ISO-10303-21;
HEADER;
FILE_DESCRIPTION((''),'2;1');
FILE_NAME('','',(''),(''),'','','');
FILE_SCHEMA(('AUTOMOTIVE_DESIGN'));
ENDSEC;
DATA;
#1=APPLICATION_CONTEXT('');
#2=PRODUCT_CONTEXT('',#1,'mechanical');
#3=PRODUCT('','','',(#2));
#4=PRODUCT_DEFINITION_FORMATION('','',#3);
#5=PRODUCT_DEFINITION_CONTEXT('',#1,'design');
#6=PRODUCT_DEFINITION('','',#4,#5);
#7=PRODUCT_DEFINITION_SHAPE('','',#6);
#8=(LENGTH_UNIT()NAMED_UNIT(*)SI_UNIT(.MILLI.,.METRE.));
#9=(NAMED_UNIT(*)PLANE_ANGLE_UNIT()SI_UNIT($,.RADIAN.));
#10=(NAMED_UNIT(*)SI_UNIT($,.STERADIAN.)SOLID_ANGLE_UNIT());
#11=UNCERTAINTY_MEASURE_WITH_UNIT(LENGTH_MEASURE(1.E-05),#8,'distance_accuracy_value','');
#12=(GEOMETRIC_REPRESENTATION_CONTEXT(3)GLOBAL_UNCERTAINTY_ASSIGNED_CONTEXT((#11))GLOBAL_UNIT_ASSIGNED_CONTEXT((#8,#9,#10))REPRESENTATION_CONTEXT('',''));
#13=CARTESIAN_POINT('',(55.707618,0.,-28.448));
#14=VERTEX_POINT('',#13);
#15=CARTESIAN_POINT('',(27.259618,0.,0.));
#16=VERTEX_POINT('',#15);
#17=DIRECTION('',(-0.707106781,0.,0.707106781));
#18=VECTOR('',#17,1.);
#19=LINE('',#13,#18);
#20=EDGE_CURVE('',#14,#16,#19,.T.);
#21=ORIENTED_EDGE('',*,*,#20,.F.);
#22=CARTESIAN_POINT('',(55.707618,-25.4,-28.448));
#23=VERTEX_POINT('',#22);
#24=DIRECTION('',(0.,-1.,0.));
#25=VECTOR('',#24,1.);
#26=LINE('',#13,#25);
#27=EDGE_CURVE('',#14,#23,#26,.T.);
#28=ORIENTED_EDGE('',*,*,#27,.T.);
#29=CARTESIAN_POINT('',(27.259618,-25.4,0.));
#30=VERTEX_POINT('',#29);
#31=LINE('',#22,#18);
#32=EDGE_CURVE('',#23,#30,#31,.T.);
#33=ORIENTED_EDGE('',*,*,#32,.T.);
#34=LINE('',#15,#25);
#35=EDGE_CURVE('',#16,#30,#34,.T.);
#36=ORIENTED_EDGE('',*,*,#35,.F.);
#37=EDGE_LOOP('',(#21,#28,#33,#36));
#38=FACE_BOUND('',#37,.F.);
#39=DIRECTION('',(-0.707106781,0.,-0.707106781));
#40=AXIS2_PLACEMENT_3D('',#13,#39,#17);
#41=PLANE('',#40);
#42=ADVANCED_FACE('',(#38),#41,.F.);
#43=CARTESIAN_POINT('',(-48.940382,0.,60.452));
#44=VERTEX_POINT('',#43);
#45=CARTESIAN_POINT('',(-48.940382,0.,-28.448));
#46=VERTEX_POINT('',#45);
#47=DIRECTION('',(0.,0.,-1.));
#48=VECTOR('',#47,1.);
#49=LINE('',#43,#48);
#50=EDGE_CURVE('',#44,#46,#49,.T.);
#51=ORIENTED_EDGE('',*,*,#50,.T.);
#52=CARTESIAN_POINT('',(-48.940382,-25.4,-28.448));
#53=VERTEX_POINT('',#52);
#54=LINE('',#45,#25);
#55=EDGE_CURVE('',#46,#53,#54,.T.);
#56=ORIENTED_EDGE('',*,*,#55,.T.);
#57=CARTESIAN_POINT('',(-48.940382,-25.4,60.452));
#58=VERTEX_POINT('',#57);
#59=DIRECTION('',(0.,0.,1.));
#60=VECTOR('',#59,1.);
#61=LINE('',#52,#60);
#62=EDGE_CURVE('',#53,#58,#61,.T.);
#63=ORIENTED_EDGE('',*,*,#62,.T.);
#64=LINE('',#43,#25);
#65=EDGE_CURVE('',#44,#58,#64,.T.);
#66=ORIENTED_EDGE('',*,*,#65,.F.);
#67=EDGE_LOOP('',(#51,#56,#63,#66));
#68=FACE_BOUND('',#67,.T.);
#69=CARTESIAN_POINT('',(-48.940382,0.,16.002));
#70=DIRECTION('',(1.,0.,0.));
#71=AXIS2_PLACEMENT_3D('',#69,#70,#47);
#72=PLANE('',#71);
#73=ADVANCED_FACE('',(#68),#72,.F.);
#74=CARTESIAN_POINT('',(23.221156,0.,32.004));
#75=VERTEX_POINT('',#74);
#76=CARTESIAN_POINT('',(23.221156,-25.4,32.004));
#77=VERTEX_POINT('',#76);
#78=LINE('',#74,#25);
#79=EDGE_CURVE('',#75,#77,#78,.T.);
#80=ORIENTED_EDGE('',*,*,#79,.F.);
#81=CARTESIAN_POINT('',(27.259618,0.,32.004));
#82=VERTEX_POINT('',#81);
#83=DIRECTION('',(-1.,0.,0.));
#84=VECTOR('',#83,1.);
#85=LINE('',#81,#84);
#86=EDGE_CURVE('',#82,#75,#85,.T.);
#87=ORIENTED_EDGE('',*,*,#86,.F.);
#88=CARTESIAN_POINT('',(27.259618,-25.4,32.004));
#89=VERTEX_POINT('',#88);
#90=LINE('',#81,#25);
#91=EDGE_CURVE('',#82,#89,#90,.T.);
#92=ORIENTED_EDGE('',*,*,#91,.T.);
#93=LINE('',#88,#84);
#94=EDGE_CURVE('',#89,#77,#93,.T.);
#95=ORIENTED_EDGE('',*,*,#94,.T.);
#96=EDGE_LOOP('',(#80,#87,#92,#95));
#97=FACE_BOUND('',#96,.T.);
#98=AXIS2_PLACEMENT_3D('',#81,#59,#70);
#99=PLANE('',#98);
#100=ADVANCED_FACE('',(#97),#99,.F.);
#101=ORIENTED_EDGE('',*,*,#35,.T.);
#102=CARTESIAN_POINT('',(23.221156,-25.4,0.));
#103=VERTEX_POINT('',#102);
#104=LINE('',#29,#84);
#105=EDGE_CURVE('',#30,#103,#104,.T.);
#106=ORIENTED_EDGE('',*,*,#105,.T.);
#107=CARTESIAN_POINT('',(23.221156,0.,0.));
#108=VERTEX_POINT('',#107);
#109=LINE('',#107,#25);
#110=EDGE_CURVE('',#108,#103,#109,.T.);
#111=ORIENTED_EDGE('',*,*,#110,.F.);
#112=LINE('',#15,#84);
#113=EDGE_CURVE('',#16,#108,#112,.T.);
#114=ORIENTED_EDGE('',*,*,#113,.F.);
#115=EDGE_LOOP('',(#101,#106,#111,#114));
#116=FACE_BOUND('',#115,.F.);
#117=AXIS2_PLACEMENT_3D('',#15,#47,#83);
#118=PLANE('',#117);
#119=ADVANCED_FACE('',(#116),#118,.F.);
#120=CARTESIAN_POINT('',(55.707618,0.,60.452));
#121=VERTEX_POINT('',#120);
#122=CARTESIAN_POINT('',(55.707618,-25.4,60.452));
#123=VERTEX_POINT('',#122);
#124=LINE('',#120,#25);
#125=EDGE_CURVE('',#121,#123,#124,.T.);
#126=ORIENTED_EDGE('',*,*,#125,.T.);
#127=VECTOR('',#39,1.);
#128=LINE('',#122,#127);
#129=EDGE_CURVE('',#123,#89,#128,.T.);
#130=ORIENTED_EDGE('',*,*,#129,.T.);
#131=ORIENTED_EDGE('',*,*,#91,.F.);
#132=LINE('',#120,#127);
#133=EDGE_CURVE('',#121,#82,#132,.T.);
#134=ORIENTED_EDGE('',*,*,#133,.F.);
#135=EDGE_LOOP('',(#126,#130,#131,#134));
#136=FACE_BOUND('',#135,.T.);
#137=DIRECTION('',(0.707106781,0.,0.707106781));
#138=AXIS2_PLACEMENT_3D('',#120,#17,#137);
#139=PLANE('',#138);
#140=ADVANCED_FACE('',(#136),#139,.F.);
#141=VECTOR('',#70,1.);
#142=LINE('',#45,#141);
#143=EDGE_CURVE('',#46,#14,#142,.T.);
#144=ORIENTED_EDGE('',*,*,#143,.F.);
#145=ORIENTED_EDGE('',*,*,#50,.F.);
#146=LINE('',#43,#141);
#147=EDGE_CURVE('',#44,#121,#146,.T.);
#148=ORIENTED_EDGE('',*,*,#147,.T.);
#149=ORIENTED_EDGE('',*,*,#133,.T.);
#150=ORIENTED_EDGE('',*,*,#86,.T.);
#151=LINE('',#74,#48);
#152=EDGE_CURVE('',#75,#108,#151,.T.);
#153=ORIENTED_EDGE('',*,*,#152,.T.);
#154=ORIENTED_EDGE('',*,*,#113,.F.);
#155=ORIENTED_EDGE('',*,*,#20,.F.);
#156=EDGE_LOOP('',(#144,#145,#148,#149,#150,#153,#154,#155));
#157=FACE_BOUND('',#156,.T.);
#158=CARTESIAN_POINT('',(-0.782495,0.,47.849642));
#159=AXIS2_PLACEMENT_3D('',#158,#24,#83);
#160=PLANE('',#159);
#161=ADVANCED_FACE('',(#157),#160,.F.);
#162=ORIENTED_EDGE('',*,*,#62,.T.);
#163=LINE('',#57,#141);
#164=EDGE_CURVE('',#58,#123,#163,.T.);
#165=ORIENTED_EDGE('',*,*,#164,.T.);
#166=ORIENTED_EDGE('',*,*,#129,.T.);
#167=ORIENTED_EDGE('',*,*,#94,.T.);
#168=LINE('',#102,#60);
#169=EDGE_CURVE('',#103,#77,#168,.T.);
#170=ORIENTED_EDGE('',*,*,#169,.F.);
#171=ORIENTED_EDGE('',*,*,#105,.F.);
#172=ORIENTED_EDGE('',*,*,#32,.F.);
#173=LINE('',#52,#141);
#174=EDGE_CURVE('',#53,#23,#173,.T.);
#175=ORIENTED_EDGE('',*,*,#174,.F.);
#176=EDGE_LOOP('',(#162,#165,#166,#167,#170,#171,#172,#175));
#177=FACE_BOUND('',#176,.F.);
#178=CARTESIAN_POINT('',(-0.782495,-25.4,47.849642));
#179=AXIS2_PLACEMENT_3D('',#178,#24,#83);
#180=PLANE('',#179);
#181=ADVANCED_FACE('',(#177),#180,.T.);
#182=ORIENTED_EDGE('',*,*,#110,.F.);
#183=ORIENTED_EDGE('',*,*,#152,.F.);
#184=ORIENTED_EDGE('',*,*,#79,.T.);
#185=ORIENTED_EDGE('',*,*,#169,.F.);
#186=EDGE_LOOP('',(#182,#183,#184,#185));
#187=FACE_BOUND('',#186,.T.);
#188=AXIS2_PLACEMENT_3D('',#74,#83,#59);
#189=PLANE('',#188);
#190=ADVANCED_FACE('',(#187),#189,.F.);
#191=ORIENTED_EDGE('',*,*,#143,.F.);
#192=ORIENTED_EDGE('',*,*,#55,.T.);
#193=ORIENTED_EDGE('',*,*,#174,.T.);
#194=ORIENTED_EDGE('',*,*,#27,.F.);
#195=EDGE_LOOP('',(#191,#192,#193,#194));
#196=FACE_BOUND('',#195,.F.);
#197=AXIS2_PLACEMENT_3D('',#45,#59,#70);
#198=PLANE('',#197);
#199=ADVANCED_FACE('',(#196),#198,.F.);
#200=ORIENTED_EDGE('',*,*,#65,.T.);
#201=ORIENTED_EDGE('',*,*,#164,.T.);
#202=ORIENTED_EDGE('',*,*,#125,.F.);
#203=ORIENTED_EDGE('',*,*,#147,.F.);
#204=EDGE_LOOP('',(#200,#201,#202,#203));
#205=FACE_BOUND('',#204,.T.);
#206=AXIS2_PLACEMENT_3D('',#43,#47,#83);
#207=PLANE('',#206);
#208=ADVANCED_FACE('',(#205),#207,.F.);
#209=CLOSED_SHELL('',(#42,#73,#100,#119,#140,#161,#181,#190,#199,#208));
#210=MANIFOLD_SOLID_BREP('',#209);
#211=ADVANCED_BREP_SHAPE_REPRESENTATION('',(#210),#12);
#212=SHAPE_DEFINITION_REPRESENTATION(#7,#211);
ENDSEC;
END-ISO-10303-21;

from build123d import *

# Parameters (mm, degrees)
F0_W     = 72.161538
F0_H     = 16.002
F1_DEPTH = 25.4


with BuildPart() as f1:
    # F0 (on Front) → F1 (new body)
    with BuildSketch(Plane.XZ):
        Polygon((-48.940382, 0), (-48.940382, -28.448), (55.707618, -28.448), (27.259618, 0), (23.221156, 0), align=None)
        with Locations((-12.859613, 8.001)):
            Rectangle(F0_W, F0_H)
    extrude(amount=F1_DEPTH)

    # F2: F1 across face


with BuildPart() as f1_1:
    add(f1.part)
    add(f1.part.mirror(Plane(origin=(-12.859613, -12.7, 16.002), x_dir=(1, 0, 0), z_dir=(0, 0, 1))))


solid = f1_1.part
